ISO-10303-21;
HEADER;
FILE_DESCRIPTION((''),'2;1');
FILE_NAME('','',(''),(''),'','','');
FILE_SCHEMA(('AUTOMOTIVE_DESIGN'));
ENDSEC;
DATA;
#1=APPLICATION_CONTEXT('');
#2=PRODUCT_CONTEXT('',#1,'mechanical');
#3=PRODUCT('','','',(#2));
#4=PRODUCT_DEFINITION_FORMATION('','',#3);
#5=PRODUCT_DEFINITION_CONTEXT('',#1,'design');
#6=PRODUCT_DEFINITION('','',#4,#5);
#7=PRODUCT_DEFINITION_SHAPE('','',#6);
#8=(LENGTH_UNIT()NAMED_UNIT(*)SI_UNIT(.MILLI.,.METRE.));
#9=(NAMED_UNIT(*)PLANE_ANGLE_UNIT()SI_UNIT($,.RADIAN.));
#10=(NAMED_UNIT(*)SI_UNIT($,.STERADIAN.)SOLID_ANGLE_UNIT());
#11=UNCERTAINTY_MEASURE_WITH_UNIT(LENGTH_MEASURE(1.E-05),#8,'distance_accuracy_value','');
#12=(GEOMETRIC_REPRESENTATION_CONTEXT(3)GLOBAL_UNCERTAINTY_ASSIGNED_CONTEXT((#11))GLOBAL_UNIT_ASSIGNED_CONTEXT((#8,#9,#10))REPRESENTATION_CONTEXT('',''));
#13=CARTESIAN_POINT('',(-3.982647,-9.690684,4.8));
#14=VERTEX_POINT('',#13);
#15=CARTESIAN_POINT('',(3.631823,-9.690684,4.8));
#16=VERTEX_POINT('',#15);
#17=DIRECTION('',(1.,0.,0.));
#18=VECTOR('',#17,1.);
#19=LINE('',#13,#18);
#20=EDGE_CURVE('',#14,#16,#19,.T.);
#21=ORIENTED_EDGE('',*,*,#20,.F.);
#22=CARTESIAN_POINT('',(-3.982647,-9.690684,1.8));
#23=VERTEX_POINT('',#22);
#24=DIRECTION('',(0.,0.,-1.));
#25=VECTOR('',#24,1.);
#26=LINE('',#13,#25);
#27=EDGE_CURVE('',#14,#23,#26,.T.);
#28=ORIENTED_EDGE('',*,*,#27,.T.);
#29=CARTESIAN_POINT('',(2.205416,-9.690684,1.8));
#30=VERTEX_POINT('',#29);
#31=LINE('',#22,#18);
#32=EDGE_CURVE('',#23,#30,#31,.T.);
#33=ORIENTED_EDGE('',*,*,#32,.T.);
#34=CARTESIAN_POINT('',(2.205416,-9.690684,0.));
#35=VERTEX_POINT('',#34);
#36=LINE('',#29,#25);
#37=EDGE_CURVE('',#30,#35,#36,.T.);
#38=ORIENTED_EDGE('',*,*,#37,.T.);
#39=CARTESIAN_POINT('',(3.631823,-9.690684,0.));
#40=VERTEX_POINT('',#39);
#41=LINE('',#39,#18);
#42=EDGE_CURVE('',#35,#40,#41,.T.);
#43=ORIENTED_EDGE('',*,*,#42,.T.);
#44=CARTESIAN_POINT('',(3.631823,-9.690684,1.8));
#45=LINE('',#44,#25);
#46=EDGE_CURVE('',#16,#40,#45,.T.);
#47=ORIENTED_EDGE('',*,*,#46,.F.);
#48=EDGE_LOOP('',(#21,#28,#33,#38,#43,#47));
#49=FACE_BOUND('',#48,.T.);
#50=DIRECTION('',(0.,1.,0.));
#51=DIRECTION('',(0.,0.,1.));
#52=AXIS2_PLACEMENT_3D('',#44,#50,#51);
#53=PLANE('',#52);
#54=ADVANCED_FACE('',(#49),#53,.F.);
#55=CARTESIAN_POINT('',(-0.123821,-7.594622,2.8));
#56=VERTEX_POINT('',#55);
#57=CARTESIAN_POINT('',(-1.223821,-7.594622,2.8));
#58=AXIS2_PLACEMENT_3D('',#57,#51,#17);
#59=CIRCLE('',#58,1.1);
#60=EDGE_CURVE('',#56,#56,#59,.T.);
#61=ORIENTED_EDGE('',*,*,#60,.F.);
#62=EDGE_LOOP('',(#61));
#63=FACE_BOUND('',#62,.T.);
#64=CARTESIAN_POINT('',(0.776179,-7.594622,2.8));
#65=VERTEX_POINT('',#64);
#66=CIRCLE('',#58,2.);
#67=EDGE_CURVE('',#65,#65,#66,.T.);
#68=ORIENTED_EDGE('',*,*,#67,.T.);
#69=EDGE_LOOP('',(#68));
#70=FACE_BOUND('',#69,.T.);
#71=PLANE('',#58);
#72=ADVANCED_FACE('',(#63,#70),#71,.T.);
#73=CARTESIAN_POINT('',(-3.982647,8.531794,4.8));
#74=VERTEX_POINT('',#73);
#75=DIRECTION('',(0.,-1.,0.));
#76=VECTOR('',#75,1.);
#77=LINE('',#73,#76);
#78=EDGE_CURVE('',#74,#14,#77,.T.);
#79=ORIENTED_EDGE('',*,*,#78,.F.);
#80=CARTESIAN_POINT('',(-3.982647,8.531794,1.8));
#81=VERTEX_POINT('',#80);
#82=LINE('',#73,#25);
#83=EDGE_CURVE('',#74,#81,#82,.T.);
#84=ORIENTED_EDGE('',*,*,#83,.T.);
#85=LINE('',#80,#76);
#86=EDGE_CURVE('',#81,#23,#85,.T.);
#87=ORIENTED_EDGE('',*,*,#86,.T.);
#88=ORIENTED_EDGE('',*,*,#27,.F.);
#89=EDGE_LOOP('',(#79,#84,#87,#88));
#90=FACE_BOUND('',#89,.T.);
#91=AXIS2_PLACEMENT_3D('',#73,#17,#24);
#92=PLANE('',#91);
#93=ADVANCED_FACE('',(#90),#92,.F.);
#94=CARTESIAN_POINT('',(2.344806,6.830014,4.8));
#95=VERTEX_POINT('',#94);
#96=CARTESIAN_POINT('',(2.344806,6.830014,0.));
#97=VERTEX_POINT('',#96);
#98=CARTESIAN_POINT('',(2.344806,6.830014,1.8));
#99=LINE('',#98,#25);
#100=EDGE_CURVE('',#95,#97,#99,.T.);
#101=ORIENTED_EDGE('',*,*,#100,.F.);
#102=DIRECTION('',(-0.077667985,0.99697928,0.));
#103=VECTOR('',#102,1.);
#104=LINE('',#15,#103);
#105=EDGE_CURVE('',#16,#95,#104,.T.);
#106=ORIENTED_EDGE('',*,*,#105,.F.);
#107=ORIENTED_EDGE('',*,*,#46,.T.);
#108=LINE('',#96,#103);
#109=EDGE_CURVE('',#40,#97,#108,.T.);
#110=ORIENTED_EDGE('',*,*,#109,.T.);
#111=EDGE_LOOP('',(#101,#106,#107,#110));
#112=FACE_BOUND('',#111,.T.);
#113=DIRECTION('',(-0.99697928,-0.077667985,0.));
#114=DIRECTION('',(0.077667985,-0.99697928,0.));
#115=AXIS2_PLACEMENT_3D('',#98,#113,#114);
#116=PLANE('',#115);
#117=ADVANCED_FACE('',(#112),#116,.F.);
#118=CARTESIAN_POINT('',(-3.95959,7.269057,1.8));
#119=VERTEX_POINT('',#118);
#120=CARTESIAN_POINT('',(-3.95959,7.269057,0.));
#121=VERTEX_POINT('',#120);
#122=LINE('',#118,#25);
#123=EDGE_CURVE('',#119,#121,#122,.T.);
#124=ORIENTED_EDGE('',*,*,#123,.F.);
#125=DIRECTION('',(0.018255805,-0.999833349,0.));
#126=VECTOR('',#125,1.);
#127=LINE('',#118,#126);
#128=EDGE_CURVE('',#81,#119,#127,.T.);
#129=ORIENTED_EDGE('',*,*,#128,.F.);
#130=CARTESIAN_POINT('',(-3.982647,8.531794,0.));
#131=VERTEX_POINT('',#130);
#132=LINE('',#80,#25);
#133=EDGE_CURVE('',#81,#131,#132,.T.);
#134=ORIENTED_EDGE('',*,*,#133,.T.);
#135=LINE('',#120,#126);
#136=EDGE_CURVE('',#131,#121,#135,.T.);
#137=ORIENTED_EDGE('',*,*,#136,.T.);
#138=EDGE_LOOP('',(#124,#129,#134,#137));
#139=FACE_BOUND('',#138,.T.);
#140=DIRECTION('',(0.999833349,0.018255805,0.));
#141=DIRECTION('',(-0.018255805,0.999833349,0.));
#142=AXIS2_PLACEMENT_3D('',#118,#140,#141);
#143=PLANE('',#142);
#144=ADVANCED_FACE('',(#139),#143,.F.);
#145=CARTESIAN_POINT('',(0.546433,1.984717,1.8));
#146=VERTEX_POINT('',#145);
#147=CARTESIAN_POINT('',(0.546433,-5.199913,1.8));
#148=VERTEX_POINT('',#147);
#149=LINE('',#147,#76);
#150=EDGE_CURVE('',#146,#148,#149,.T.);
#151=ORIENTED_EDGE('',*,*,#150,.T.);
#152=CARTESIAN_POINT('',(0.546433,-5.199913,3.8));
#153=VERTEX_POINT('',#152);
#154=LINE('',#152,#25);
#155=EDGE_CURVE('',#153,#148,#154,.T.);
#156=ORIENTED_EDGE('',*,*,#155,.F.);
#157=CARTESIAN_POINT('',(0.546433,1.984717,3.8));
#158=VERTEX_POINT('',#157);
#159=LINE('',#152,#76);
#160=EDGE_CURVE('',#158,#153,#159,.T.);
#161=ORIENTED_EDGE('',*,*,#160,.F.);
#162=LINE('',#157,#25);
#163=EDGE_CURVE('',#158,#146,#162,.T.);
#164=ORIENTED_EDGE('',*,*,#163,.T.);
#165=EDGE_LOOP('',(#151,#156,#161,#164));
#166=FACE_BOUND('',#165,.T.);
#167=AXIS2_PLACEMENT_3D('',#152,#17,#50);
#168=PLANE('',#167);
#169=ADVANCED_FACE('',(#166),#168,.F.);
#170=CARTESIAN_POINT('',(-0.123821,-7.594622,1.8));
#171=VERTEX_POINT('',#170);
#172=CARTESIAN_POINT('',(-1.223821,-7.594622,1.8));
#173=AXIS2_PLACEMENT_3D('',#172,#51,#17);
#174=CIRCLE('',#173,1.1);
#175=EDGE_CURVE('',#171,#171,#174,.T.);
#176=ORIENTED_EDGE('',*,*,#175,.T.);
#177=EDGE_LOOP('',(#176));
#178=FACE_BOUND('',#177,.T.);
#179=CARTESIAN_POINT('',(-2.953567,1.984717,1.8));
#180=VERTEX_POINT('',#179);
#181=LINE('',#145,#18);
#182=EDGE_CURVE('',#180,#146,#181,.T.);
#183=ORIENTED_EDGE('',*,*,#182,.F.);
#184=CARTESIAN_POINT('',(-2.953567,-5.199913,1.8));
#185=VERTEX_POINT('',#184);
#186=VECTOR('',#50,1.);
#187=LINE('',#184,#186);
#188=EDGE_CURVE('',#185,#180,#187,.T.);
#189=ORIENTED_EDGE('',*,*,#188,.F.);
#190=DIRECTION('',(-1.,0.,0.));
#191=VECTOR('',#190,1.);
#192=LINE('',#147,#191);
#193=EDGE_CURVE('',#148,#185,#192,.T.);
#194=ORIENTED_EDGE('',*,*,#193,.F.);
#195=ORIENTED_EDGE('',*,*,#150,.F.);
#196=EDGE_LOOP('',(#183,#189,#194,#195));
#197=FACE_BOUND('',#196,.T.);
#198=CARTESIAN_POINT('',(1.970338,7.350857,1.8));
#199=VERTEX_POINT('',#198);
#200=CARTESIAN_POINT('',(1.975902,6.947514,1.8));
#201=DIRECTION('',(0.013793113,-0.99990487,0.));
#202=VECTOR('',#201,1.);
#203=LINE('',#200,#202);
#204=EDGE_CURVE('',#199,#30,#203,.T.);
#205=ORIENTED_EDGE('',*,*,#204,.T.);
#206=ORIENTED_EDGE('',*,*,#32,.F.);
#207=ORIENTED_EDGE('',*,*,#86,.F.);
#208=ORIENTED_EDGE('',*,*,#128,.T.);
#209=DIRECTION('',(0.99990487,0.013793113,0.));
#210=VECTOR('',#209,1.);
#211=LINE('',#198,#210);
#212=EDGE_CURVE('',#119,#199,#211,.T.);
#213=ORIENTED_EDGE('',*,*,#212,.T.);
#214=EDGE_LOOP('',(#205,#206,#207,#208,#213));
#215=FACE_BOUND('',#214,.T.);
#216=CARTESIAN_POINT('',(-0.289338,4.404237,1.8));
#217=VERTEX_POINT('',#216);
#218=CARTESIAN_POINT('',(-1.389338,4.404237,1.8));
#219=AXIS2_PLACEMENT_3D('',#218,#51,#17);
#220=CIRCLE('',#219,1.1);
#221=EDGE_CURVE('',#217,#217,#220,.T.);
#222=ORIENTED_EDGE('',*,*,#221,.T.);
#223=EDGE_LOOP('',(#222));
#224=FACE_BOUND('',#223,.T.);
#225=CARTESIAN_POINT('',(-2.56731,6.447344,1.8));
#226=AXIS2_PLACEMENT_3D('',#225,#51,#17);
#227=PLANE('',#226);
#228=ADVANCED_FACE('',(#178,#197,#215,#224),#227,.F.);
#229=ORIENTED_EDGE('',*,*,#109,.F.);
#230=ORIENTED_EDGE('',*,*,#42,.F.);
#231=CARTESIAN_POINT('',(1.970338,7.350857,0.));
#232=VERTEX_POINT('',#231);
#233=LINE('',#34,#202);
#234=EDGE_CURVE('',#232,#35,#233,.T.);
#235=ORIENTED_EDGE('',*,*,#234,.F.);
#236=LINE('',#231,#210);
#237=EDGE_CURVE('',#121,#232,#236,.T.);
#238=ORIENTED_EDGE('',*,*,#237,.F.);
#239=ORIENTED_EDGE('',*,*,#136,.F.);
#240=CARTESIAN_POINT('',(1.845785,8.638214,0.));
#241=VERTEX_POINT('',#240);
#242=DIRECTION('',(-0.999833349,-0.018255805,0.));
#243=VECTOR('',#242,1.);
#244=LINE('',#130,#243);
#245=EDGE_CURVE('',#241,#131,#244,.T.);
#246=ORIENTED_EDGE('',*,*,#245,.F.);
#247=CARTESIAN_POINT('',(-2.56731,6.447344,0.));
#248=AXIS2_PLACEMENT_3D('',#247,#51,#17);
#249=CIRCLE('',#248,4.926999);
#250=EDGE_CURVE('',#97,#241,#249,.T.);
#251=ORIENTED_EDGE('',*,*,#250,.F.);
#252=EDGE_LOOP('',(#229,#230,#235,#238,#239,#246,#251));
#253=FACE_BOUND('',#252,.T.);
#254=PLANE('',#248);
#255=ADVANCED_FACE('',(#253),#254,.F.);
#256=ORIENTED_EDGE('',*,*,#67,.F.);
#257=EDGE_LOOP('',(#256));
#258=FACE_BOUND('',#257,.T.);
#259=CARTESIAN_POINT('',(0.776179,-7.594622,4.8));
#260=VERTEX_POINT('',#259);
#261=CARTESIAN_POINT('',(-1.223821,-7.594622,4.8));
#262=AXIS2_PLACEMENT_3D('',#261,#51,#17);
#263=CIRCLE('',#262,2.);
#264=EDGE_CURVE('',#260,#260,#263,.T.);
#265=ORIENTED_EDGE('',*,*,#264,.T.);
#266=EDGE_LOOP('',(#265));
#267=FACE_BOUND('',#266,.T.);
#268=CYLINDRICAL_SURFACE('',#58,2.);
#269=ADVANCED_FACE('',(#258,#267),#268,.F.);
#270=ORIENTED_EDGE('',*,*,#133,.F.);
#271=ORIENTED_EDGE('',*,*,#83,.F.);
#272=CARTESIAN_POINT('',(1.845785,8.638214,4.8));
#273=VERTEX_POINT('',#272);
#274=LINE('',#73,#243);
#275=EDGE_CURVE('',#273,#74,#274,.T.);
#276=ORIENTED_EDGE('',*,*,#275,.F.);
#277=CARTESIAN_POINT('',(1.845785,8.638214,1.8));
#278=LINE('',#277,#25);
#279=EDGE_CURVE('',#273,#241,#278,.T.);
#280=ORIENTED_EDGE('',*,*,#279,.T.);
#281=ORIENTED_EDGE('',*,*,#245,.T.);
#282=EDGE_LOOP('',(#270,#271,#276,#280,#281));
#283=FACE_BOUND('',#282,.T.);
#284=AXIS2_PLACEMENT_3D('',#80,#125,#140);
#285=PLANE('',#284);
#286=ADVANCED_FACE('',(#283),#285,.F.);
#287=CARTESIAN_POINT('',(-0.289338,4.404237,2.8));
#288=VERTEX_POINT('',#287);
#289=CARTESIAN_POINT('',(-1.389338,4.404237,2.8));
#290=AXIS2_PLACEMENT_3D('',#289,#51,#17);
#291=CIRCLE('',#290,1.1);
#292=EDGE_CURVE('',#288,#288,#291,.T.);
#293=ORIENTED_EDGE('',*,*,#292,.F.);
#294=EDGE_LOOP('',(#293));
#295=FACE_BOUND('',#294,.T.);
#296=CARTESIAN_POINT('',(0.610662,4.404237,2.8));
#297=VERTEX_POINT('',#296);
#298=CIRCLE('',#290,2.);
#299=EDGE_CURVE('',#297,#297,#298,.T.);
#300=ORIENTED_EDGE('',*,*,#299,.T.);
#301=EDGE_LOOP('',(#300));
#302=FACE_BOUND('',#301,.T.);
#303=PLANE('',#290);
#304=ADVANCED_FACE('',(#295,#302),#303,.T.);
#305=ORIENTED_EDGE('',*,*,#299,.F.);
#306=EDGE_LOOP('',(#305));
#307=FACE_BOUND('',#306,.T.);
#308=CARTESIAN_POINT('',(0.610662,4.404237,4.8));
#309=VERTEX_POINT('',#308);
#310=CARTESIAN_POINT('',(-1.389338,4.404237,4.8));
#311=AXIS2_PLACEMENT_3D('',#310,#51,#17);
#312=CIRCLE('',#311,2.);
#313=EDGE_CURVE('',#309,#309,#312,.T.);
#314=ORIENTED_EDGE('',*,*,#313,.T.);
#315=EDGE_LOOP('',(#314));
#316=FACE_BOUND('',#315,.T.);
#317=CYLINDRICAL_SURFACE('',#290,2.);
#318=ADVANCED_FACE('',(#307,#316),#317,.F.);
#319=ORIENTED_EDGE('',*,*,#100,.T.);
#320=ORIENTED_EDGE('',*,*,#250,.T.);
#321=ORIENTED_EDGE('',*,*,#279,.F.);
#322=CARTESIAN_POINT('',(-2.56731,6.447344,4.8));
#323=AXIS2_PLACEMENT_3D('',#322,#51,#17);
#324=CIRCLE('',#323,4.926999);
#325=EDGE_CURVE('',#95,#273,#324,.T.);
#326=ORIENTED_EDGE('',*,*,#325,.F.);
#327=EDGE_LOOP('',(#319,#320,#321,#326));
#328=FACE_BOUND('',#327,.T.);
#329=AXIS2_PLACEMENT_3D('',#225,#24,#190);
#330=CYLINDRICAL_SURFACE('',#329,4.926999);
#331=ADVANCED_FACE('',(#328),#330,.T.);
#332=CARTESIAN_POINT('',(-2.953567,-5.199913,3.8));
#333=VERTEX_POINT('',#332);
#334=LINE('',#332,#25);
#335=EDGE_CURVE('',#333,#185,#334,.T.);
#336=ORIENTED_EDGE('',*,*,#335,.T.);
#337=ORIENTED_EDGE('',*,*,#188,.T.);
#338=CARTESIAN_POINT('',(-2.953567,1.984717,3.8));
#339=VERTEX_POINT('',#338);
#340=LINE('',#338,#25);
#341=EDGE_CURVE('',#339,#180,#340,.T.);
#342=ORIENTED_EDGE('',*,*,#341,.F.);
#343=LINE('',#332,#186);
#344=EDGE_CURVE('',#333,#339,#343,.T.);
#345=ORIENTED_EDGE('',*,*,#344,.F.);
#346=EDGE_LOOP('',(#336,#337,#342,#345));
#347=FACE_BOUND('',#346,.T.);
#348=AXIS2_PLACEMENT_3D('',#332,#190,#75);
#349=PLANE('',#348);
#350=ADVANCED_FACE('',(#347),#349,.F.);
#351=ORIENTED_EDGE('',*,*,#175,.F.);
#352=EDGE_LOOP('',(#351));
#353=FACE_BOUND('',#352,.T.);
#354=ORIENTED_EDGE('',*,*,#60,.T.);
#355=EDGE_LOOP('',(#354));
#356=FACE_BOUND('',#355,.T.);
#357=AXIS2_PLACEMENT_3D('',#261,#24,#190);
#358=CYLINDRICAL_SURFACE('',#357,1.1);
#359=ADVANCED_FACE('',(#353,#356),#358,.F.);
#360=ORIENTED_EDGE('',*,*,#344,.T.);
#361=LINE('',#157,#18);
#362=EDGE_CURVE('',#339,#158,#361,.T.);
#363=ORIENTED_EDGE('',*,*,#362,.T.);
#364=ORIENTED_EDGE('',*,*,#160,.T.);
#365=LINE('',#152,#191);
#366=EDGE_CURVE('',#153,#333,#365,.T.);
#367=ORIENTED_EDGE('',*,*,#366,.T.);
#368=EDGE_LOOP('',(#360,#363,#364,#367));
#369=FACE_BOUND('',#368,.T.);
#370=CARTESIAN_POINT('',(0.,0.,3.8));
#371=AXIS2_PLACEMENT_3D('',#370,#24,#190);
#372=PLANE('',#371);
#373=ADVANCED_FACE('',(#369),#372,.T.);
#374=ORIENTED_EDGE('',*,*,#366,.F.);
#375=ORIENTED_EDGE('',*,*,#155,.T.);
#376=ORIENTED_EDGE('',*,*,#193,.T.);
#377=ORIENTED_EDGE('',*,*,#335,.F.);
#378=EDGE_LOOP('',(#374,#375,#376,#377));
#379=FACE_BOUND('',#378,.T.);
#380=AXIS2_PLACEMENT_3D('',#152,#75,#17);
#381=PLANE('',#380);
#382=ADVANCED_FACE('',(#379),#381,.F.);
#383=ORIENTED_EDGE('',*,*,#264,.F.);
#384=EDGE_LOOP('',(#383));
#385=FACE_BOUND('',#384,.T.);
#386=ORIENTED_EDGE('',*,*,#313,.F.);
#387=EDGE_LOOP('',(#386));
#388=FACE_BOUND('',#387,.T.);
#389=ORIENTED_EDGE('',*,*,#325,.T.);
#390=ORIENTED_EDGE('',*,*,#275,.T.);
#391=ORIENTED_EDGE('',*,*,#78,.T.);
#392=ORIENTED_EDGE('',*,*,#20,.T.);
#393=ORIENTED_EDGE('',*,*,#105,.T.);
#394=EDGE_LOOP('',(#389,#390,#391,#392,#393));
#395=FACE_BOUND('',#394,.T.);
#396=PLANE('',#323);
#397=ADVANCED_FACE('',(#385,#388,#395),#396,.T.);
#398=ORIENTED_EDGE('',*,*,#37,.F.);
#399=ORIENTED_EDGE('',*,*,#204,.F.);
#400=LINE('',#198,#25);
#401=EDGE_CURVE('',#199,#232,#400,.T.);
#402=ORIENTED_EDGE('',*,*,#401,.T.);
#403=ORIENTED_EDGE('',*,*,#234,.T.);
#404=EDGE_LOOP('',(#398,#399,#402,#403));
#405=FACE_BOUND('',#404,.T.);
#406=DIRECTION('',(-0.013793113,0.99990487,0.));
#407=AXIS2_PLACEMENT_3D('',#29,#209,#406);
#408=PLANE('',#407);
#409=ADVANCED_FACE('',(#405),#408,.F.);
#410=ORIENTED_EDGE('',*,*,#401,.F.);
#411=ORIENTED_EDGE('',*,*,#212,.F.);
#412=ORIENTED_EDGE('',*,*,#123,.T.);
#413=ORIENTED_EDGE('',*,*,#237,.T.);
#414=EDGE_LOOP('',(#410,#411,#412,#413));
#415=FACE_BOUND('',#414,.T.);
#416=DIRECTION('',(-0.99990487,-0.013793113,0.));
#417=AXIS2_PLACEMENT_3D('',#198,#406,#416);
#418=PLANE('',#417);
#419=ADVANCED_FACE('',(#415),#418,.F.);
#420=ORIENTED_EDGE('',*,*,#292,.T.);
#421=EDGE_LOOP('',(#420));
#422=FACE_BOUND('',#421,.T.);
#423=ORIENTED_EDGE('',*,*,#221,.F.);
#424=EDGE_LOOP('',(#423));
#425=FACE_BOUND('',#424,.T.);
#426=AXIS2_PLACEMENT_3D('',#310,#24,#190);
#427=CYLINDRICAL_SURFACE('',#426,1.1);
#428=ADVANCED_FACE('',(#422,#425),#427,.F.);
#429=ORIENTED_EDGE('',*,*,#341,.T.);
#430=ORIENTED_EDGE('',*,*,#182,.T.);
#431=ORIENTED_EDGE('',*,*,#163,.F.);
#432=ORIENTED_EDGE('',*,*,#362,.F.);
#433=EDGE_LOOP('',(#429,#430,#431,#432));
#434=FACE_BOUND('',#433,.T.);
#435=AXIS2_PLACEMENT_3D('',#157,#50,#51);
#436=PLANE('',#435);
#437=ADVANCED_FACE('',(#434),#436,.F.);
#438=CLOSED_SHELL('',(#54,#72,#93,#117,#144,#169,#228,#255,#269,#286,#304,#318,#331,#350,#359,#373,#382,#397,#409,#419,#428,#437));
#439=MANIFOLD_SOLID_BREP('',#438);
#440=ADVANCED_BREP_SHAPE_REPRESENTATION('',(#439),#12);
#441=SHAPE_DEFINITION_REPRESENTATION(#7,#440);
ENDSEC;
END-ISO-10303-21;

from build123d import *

# Parameters (mm, degrees)
BOSS_EXTRUDE1_DEPTH = 1.8
SKETCH3_R           = 1.1
BOSS_EXTRUDE2_DEPTH = 3
SKETCH4_W           = 3.5
SKETCH4_H           = 7.184629835
CUT_EXTRUDE1_DEPTH  = 2
SKETCH5_R           = 2
CUT_EXTRUDE2_DEPTH  = 2


with BuildPart() as part:
    # Sketch1 → Boss-Extrude1 (new body)
    with BuildSketch(Plane(origin=(0, 0, 0), x_dir=(0, 1, 0), z_dir=(0, 0, 1))):
        with BuildLine():
            Line((6.830014349, -2.344806069), (-9.690684049, -3.631823148))
            Line((-9.690684049, -3.631823148), (-9.690684049, -2.205416312))
            Line((-9.690684049, -2.205416312), (6.947514193, -1.975901922))
            Line((6.947514193, -1.975901922), (7.350857331, -1.970338035))
            Line((7.350857331, -1.970338035), (7.269057374, 3.9595904))
            Line((7.269057374, 3.9595904), (8.531793523, 3.982646507))
            Line((8.531793523, 3.982646507), (8.638213972, -1.845785322))
            ThreePointArc((8.638213972, -1.845785322), (7.758081535, -2.182141378), (6.830014349, -2.344806069))
        make_face()
    extrude(amount=BOSS_EXTRUDE1_DEPTH)

    # Sketch3 → Boss-Extrude2 (add)
    with BuildSketch(Plane.XY.offset(1.8)):
        with BuildLine():
            Line((-3.982646507, 8.531793523), (-3.982646507, -9.690684049))
            Line((-3.982646507, -9.690684049), (3.631823148, -9.690684049))
            Line((3.631823148, -9.690684049), (2.344806069, 6.830014349))
            ThreePointArc((2.344806069, 6.830014349), (2.182141378, 7.758081535), (1.845785322, 8.638213972))
            Line((1.845785322, 8.638213972), (-3.982646507, 8.531793523))
        make_face()
        with Locations((-1.223821134, -7.594621825)):
            Circle(SKETCH3_R, mode=Mode.SUBTRACT)
        with Locations((-1.389338495, 4.404236621)):
            Circle(SKETCH3_R, mode=Mode.SUBTRACT)
    extrude(amount=BOSS_EXTRUDE2_DEPTH)

    # Sketch4 → Cut-Extrude1 (cut)
    with BuildSketch(Plane(origin=(0, 0, 1.8), x_dir=(1, 0, 0), z_dir=(0, 0, -1))):
        with Locations((-1.203567216, 1.607597674)):
            Rectangle(SKETCH4_W, SKETCH4_H)
    extrude(amount=-CUT_EXTRUDE1_DEPTH, mode=Mode.SUBTRACT)

    # Sketch5 → Cut-Extrude2 (cut)
    with BuildSketch(Plane.XY.offset(4.8)):
        with Locations((-1.389338495, 4.404236621)):
            Circle(SKETCH5_R)
        with Locations((-1.223821134, -7.594621825)):
            Circle(SKETCH5_R)
    extrude(amount=-CUT_EXTRUDE2_DEPTH, mode=Mode.SUBTRACT)


solid = part.part
